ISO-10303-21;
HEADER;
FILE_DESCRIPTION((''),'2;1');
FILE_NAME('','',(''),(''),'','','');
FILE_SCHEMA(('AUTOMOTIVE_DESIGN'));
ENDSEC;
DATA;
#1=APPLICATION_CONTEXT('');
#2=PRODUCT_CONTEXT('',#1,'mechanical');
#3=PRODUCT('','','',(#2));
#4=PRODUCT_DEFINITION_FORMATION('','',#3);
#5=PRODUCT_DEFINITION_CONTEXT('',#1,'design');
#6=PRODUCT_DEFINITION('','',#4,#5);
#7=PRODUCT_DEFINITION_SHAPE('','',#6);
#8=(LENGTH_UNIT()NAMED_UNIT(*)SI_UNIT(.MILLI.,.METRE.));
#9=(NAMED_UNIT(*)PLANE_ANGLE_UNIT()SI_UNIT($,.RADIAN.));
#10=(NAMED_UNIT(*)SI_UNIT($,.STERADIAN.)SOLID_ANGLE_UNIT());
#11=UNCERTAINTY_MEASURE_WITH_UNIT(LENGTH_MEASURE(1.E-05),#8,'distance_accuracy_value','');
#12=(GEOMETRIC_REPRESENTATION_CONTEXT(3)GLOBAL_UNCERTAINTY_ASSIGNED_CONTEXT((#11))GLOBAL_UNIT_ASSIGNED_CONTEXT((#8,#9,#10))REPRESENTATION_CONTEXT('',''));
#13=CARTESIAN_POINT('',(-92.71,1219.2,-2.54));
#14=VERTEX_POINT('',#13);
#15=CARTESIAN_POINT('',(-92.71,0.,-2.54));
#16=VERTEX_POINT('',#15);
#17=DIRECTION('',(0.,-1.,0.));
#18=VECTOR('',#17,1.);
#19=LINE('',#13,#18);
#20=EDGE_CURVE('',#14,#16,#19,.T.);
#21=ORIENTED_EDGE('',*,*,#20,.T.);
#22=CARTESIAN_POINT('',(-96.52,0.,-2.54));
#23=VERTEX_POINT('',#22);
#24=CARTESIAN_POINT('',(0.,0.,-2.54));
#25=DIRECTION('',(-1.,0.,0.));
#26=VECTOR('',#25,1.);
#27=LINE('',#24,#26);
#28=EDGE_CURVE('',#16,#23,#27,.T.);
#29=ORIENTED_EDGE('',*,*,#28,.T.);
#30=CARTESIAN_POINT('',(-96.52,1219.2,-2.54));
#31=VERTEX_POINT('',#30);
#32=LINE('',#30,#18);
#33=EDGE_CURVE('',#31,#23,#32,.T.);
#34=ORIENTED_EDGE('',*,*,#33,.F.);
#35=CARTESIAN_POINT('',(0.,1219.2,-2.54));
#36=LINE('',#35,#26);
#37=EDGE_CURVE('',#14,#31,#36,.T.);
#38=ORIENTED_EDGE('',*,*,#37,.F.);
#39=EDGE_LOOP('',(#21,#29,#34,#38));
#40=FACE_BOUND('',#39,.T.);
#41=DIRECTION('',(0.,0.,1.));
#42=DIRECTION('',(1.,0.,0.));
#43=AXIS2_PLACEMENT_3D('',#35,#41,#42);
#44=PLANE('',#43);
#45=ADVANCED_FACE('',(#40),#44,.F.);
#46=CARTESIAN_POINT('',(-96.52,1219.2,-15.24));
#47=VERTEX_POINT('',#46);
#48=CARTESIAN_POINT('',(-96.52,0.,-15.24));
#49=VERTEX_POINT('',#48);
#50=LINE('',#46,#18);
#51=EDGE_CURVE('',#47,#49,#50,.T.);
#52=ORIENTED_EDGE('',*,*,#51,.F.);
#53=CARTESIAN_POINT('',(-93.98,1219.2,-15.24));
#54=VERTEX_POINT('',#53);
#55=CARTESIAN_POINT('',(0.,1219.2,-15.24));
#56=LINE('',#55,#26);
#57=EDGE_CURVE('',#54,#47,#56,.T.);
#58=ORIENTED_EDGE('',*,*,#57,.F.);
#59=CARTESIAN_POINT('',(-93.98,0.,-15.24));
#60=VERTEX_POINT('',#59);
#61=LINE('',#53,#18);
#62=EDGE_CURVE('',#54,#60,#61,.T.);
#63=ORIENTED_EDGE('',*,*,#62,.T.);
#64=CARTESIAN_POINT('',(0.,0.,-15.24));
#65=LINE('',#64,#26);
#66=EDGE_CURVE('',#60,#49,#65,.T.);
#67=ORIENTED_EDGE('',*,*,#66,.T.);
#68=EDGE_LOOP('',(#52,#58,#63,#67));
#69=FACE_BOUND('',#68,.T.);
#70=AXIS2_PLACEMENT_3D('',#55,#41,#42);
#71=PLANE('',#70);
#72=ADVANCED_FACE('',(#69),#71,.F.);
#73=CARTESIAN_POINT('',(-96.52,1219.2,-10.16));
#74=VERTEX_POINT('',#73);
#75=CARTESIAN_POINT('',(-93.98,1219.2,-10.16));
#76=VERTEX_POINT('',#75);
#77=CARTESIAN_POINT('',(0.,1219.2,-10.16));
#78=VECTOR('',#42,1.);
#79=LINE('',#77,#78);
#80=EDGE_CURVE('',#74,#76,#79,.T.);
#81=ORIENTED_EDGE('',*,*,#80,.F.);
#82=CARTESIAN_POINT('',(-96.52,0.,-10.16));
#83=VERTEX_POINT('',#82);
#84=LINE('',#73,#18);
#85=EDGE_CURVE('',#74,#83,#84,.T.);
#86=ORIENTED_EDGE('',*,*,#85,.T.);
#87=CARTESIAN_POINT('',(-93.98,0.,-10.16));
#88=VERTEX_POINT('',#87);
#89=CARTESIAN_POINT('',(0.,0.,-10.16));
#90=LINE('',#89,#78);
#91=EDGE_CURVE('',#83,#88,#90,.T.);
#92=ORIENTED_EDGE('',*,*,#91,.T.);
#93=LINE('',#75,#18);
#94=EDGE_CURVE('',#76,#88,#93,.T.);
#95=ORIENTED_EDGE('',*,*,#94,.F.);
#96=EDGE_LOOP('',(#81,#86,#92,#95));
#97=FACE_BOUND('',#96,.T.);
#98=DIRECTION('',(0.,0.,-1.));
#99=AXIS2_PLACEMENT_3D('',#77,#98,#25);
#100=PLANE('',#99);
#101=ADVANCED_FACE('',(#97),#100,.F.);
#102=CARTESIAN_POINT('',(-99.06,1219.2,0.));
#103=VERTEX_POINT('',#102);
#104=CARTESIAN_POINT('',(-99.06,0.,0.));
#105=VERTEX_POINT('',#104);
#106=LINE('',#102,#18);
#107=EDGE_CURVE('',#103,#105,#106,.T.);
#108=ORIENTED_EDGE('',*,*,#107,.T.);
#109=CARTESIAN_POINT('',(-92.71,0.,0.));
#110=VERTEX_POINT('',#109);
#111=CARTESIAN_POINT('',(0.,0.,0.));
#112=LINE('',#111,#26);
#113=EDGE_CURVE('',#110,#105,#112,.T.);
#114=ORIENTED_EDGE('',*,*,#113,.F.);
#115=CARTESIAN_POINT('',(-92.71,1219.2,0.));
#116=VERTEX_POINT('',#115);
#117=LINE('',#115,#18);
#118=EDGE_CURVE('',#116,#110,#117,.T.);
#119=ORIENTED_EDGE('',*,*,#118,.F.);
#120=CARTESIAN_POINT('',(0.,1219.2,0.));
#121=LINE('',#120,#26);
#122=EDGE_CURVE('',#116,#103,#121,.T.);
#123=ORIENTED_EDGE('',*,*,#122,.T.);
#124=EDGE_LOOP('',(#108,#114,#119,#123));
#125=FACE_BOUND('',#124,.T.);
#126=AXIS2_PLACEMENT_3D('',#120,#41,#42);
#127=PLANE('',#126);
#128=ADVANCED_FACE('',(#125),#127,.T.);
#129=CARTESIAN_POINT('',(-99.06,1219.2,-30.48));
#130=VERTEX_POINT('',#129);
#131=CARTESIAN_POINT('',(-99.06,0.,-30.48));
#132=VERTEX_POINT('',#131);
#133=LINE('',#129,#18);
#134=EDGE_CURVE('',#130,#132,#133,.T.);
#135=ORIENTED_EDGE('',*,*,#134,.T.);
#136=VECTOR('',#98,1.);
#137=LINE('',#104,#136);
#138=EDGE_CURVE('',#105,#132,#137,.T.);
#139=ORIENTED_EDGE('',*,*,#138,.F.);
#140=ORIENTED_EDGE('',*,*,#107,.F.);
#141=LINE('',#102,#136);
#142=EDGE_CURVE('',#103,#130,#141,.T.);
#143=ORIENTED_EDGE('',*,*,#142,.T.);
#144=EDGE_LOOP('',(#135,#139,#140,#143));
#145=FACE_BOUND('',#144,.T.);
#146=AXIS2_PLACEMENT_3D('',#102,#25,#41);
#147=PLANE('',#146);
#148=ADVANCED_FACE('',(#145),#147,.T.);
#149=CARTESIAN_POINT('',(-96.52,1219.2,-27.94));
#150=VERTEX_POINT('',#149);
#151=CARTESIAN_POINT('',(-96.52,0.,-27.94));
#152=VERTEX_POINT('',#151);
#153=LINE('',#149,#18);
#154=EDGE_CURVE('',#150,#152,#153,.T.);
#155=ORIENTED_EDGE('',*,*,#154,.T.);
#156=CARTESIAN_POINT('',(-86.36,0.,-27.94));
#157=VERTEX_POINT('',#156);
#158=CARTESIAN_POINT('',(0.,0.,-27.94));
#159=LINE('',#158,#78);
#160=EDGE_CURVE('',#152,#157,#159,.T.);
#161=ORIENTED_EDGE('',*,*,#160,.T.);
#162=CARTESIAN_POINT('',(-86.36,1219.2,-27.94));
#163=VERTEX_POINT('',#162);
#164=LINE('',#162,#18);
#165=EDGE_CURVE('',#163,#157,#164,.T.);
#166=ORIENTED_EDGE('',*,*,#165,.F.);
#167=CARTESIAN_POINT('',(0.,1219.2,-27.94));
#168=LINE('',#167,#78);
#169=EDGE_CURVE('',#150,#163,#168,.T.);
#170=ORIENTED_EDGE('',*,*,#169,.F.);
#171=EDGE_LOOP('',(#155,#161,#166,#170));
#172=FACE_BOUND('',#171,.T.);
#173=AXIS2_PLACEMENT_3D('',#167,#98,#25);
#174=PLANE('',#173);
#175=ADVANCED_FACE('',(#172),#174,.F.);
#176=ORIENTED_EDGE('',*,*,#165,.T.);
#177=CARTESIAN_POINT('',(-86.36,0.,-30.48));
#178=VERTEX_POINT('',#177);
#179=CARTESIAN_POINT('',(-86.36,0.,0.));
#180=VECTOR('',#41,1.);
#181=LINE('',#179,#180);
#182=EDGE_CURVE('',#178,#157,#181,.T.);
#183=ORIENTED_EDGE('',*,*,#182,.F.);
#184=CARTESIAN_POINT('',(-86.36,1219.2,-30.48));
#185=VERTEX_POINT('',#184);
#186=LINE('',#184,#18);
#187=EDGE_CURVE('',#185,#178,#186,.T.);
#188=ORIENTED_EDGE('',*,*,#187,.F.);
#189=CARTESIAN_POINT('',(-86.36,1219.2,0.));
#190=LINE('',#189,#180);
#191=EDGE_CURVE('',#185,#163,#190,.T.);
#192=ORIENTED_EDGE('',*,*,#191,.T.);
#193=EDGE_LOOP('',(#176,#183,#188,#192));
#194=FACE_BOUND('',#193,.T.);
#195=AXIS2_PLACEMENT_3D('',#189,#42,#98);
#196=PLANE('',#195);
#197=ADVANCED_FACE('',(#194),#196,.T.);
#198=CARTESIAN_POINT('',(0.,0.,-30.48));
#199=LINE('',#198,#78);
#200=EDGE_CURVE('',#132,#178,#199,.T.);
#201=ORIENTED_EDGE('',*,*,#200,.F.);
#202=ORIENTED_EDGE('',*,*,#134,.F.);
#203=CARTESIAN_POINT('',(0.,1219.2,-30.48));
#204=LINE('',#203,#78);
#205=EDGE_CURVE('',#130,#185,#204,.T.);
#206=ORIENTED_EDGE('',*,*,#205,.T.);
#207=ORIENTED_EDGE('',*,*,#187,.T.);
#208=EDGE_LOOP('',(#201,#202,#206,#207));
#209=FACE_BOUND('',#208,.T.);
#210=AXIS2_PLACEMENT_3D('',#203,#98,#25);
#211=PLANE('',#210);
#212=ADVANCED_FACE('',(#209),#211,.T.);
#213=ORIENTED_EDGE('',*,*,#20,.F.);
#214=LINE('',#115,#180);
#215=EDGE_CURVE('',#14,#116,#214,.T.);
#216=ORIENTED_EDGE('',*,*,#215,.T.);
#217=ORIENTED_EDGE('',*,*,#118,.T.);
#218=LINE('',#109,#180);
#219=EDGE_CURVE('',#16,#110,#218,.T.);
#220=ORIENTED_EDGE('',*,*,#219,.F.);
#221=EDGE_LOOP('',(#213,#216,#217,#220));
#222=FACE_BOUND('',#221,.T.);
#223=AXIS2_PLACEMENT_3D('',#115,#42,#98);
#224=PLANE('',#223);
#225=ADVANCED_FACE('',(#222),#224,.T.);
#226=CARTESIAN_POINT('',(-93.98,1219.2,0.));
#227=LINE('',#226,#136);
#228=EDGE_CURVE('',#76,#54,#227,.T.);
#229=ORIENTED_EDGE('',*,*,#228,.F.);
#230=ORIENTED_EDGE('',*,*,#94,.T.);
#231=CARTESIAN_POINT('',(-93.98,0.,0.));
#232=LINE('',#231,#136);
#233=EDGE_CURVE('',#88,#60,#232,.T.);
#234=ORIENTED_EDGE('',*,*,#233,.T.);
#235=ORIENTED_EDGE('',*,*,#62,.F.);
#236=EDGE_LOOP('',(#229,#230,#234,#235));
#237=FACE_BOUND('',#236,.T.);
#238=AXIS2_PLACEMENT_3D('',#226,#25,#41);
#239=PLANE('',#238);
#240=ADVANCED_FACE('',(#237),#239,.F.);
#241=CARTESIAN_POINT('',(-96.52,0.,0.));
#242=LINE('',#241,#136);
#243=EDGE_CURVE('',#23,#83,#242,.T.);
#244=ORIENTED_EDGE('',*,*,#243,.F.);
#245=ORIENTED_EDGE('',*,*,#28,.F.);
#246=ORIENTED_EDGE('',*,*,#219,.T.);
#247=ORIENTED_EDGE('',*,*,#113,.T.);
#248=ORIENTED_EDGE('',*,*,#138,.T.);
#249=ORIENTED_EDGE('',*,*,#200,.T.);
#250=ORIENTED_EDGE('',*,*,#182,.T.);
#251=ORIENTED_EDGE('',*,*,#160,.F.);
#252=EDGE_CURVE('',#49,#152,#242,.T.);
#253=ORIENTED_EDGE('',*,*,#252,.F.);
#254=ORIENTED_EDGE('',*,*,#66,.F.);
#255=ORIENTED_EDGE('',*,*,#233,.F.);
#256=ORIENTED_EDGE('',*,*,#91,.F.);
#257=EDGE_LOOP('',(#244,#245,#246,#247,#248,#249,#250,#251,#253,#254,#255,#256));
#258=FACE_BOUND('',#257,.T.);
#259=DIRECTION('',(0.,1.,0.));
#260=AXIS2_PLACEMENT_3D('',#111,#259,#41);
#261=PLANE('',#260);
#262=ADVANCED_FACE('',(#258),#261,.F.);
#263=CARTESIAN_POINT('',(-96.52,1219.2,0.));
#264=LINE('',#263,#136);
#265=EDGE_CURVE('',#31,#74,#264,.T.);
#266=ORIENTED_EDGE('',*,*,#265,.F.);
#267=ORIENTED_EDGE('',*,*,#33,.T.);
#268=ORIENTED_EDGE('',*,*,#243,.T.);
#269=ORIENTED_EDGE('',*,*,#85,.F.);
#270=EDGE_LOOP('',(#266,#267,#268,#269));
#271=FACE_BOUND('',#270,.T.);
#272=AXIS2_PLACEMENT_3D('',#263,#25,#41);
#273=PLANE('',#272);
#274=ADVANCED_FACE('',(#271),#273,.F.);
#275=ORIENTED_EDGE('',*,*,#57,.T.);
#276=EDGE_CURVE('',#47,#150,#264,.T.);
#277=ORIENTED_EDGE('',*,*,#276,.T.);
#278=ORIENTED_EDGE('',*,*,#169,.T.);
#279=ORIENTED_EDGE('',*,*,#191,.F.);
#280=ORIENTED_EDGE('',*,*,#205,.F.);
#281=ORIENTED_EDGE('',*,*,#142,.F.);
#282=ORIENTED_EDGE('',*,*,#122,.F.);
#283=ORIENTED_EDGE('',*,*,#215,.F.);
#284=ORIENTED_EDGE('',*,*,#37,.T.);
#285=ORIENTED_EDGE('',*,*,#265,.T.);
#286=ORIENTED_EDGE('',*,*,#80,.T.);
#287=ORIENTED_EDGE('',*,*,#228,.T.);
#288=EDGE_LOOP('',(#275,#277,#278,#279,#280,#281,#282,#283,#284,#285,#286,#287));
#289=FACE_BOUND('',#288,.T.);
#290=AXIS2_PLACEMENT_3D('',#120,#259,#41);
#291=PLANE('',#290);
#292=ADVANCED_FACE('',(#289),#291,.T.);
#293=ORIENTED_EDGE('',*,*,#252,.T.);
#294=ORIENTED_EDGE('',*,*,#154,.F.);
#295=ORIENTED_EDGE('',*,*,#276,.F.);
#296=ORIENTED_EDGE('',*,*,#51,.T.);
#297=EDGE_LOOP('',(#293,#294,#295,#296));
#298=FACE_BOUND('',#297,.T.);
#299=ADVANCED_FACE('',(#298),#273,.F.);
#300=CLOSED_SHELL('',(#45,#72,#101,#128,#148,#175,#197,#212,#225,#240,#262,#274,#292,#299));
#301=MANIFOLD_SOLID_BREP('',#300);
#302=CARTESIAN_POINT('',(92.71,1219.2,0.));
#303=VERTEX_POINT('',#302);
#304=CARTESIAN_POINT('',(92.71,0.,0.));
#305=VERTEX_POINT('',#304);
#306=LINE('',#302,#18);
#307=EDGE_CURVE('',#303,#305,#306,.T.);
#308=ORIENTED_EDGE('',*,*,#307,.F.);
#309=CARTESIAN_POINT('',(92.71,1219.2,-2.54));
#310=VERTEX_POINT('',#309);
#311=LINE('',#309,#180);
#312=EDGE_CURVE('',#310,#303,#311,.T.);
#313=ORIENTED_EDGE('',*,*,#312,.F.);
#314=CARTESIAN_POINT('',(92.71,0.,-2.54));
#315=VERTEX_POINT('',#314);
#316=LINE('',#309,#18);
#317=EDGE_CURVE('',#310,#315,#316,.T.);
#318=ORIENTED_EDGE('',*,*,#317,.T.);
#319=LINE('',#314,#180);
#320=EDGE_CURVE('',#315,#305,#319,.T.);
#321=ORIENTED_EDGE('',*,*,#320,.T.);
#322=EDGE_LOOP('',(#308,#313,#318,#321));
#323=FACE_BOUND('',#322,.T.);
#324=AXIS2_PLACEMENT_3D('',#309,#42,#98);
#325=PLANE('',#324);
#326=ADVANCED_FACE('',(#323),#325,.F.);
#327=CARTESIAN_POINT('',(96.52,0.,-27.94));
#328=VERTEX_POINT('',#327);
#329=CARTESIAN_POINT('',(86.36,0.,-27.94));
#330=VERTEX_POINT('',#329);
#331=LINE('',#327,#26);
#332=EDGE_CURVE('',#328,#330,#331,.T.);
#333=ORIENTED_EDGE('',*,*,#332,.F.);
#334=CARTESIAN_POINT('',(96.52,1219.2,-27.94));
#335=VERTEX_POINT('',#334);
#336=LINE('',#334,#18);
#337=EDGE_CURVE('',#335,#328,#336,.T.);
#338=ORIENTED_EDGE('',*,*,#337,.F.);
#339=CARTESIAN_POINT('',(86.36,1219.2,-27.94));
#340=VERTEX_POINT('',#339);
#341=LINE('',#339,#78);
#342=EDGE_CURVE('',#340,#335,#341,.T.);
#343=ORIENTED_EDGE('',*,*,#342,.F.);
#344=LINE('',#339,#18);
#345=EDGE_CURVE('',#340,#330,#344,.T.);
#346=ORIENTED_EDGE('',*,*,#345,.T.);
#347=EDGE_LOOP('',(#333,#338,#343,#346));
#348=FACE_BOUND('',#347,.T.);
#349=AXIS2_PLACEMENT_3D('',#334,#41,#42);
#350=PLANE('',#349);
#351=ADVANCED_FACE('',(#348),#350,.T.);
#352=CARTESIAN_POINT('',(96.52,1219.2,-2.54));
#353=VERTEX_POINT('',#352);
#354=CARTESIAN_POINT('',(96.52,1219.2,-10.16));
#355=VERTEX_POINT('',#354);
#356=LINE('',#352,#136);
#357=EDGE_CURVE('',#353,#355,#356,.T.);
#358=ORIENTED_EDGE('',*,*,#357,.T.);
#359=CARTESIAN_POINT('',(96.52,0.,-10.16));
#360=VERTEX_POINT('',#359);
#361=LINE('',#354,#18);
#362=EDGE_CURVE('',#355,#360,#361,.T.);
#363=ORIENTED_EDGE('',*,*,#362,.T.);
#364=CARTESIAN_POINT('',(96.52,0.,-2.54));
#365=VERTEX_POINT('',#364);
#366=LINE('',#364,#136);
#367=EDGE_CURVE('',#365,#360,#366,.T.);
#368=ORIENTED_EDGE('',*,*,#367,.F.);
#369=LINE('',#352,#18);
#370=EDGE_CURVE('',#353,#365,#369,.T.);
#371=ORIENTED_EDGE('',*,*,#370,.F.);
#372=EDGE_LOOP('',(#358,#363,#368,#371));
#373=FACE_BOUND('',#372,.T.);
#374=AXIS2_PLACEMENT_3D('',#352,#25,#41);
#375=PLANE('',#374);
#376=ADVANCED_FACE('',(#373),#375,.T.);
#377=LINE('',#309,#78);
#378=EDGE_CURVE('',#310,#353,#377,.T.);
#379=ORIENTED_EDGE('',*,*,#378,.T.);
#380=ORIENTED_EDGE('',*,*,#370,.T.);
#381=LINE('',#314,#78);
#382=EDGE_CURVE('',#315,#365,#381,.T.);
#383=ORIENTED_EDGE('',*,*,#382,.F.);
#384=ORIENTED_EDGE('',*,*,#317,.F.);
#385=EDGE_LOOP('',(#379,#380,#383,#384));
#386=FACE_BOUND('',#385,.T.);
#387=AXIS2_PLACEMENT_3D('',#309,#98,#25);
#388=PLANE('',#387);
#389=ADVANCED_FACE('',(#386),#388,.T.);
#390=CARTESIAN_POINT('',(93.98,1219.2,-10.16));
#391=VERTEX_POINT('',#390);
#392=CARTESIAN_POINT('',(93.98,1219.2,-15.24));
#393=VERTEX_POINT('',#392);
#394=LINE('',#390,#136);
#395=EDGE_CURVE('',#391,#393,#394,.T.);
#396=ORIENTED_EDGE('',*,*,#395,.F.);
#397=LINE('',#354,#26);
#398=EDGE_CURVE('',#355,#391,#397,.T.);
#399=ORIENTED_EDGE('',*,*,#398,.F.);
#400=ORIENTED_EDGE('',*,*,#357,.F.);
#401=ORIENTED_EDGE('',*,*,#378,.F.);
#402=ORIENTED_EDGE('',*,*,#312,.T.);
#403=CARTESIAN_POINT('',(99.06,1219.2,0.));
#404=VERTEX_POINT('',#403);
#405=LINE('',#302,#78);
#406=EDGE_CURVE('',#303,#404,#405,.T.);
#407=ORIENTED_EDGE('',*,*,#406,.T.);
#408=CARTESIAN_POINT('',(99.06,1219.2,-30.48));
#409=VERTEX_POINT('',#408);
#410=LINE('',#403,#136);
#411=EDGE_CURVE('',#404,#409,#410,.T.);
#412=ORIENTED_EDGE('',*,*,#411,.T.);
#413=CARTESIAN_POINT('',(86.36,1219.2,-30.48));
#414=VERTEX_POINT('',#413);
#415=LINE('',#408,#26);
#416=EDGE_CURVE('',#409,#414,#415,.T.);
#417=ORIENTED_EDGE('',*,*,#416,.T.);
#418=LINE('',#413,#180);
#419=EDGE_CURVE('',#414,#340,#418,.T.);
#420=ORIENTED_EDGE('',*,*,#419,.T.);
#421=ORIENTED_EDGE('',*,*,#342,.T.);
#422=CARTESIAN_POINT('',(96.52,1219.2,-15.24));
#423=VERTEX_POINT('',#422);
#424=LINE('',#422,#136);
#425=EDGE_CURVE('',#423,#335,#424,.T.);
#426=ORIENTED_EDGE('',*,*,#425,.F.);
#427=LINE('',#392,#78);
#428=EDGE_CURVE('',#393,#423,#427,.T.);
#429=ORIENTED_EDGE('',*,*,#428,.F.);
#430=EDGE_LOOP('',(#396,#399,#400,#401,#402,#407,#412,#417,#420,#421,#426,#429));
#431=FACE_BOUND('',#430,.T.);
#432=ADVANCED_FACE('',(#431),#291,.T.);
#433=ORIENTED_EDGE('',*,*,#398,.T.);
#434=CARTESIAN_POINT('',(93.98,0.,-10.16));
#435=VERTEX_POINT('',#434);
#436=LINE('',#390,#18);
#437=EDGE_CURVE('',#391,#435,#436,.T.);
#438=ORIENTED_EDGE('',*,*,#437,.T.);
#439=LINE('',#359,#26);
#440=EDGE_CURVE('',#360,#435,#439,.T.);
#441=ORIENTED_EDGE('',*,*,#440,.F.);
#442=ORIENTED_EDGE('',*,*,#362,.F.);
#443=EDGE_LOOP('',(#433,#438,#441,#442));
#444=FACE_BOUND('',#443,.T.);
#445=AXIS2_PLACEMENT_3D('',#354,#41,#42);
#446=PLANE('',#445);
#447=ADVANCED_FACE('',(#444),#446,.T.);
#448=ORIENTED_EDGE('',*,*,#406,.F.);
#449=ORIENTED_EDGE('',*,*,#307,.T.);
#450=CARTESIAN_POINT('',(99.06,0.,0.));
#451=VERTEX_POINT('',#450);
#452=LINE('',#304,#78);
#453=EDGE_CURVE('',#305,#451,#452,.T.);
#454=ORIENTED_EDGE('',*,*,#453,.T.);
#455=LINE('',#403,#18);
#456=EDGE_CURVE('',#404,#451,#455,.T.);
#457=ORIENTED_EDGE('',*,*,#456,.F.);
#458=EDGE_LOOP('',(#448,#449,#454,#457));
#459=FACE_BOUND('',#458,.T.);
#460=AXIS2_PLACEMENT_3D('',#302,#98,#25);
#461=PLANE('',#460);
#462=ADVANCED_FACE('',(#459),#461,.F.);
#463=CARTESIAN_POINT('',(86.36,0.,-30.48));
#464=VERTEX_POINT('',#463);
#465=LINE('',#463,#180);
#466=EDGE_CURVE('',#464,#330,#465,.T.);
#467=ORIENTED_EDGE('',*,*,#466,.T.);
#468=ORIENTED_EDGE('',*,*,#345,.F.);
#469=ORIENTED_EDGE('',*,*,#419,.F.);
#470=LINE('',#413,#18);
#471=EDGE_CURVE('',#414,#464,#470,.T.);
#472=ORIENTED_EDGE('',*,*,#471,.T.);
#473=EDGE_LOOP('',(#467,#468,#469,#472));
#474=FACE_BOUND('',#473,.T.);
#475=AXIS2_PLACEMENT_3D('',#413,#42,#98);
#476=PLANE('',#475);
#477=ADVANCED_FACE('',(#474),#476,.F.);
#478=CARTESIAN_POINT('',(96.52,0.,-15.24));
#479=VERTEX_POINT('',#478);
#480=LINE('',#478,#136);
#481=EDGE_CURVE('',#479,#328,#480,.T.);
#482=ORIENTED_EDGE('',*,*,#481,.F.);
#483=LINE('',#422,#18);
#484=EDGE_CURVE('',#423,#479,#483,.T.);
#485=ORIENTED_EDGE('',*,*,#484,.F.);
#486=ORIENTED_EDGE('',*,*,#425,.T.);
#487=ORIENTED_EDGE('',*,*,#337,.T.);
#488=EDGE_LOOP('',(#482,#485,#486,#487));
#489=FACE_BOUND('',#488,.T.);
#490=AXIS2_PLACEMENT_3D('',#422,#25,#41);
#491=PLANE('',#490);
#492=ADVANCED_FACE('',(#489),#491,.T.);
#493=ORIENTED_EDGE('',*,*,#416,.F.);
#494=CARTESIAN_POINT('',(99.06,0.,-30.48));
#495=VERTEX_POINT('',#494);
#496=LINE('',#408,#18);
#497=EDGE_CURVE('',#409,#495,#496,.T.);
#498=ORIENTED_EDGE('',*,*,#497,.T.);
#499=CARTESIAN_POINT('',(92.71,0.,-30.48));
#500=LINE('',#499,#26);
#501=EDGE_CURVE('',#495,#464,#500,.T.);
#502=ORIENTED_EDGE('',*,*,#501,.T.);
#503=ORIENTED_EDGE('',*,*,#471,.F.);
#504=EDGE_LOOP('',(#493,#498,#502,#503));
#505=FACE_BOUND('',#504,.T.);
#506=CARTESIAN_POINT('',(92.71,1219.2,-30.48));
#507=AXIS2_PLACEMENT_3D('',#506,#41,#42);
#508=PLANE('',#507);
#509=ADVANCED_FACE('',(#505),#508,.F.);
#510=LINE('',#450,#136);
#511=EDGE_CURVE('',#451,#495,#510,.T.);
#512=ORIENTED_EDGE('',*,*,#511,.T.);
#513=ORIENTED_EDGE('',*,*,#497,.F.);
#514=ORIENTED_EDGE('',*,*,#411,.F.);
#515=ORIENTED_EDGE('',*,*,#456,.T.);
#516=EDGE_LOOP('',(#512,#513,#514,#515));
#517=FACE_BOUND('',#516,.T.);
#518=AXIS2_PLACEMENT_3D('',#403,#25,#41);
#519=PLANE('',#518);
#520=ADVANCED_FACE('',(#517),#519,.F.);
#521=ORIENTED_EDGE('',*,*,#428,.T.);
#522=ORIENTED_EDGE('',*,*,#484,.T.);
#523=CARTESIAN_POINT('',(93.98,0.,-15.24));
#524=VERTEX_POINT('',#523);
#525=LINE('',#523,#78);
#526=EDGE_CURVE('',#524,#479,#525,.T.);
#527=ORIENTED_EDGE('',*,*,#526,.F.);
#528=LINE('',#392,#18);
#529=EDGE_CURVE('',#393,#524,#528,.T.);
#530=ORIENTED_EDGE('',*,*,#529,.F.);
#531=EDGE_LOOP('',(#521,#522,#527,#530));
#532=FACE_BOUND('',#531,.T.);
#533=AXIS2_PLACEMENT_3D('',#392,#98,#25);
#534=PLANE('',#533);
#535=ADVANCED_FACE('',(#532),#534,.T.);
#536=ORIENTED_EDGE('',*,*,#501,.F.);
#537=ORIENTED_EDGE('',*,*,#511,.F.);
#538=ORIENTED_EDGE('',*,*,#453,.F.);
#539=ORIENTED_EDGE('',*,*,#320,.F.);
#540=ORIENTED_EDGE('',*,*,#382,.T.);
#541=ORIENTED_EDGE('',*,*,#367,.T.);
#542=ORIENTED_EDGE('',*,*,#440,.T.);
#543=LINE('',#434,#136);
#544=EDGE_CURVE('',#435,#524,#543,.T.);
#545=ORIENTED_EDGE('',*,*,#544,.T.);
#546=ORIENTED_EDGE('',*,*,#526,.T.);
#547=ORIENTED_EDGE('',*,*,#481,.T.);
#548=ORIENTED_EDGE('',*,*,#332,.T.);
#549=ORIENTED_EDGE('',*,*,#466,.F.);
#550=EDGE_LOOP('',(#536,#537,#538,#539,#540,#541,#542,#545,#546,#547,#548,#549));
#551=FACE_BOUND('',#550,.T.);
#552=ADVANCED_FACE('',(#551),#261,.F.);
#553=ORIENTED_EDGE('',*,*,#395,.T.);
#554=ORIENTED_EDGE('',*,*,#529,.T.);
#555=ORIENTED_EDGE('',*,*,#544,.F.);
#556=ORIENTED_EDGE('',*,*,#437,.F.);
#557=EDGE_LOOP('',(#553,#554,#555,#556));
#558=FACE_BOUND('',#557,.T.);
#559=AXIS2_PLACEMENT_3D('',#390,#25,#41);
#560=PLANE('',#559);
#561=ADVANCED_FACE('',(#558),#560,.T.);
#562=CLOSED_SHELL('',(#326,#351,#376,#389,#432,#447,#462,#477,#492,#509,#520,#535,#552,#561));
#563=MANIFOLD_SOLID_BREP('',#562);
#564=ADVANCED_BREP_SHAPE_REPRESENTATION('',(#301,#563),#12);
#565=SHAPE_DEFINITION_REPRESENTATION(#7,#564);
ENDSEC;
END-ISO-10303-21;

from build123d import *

# Parameters (mm, degrees)
BOSS_EXTRUDE1_DEPTH   = 1219.2
BOSS_EXTRUDE1_2_DEPTH = 1219.2


with BuildPart() as part:
    # Sketch1 → Boss-Extrude1 (new body)
    with BuildSketch(Plane(origin=(0, 0, 0), x_dir=(1, 0, 0), z_dir=(0, 1, 0))):
        Polygon((-99.06, 0), (-92.71, 0), (-92.71, 2.54), (-96.52, 2.54), (-96.52, 10.16), (-93.98, 10.16), (-93.98, 15.24), (-96.52, 15.24), (-96.52, 27.94), (-86.36, 27.94), (-86.36, 30.48), (-99.06, 30.48), align=None)
    extrude(amount=BOSS_EXTRUDE1_DEPTH)


with BuildPart() as body_2:
    # Sketch1 → Boss-Extrude1 2 (new body)
    with BuildSketch(Plane(origin=(0, 0, 0), x_dir=(1, 0, 0), z_dir=(0, 1, 0))):
        Polygon((96.52, 2.54), (92.71, 2.54), (92.71, 0), (99.06, 0), (99.06, 30.48), (86.36, 30.48), (86.36, 27.94), (96.52, 27.94), (96.52, 15.24), (93.98, 15.24), (93.98, 10.16), (96.52, 10.16), align=None)
    extrude(amount=BOSS_EXTRUDE1_2_DEPTH)


solid = Compound([part.part, body_2.part])
